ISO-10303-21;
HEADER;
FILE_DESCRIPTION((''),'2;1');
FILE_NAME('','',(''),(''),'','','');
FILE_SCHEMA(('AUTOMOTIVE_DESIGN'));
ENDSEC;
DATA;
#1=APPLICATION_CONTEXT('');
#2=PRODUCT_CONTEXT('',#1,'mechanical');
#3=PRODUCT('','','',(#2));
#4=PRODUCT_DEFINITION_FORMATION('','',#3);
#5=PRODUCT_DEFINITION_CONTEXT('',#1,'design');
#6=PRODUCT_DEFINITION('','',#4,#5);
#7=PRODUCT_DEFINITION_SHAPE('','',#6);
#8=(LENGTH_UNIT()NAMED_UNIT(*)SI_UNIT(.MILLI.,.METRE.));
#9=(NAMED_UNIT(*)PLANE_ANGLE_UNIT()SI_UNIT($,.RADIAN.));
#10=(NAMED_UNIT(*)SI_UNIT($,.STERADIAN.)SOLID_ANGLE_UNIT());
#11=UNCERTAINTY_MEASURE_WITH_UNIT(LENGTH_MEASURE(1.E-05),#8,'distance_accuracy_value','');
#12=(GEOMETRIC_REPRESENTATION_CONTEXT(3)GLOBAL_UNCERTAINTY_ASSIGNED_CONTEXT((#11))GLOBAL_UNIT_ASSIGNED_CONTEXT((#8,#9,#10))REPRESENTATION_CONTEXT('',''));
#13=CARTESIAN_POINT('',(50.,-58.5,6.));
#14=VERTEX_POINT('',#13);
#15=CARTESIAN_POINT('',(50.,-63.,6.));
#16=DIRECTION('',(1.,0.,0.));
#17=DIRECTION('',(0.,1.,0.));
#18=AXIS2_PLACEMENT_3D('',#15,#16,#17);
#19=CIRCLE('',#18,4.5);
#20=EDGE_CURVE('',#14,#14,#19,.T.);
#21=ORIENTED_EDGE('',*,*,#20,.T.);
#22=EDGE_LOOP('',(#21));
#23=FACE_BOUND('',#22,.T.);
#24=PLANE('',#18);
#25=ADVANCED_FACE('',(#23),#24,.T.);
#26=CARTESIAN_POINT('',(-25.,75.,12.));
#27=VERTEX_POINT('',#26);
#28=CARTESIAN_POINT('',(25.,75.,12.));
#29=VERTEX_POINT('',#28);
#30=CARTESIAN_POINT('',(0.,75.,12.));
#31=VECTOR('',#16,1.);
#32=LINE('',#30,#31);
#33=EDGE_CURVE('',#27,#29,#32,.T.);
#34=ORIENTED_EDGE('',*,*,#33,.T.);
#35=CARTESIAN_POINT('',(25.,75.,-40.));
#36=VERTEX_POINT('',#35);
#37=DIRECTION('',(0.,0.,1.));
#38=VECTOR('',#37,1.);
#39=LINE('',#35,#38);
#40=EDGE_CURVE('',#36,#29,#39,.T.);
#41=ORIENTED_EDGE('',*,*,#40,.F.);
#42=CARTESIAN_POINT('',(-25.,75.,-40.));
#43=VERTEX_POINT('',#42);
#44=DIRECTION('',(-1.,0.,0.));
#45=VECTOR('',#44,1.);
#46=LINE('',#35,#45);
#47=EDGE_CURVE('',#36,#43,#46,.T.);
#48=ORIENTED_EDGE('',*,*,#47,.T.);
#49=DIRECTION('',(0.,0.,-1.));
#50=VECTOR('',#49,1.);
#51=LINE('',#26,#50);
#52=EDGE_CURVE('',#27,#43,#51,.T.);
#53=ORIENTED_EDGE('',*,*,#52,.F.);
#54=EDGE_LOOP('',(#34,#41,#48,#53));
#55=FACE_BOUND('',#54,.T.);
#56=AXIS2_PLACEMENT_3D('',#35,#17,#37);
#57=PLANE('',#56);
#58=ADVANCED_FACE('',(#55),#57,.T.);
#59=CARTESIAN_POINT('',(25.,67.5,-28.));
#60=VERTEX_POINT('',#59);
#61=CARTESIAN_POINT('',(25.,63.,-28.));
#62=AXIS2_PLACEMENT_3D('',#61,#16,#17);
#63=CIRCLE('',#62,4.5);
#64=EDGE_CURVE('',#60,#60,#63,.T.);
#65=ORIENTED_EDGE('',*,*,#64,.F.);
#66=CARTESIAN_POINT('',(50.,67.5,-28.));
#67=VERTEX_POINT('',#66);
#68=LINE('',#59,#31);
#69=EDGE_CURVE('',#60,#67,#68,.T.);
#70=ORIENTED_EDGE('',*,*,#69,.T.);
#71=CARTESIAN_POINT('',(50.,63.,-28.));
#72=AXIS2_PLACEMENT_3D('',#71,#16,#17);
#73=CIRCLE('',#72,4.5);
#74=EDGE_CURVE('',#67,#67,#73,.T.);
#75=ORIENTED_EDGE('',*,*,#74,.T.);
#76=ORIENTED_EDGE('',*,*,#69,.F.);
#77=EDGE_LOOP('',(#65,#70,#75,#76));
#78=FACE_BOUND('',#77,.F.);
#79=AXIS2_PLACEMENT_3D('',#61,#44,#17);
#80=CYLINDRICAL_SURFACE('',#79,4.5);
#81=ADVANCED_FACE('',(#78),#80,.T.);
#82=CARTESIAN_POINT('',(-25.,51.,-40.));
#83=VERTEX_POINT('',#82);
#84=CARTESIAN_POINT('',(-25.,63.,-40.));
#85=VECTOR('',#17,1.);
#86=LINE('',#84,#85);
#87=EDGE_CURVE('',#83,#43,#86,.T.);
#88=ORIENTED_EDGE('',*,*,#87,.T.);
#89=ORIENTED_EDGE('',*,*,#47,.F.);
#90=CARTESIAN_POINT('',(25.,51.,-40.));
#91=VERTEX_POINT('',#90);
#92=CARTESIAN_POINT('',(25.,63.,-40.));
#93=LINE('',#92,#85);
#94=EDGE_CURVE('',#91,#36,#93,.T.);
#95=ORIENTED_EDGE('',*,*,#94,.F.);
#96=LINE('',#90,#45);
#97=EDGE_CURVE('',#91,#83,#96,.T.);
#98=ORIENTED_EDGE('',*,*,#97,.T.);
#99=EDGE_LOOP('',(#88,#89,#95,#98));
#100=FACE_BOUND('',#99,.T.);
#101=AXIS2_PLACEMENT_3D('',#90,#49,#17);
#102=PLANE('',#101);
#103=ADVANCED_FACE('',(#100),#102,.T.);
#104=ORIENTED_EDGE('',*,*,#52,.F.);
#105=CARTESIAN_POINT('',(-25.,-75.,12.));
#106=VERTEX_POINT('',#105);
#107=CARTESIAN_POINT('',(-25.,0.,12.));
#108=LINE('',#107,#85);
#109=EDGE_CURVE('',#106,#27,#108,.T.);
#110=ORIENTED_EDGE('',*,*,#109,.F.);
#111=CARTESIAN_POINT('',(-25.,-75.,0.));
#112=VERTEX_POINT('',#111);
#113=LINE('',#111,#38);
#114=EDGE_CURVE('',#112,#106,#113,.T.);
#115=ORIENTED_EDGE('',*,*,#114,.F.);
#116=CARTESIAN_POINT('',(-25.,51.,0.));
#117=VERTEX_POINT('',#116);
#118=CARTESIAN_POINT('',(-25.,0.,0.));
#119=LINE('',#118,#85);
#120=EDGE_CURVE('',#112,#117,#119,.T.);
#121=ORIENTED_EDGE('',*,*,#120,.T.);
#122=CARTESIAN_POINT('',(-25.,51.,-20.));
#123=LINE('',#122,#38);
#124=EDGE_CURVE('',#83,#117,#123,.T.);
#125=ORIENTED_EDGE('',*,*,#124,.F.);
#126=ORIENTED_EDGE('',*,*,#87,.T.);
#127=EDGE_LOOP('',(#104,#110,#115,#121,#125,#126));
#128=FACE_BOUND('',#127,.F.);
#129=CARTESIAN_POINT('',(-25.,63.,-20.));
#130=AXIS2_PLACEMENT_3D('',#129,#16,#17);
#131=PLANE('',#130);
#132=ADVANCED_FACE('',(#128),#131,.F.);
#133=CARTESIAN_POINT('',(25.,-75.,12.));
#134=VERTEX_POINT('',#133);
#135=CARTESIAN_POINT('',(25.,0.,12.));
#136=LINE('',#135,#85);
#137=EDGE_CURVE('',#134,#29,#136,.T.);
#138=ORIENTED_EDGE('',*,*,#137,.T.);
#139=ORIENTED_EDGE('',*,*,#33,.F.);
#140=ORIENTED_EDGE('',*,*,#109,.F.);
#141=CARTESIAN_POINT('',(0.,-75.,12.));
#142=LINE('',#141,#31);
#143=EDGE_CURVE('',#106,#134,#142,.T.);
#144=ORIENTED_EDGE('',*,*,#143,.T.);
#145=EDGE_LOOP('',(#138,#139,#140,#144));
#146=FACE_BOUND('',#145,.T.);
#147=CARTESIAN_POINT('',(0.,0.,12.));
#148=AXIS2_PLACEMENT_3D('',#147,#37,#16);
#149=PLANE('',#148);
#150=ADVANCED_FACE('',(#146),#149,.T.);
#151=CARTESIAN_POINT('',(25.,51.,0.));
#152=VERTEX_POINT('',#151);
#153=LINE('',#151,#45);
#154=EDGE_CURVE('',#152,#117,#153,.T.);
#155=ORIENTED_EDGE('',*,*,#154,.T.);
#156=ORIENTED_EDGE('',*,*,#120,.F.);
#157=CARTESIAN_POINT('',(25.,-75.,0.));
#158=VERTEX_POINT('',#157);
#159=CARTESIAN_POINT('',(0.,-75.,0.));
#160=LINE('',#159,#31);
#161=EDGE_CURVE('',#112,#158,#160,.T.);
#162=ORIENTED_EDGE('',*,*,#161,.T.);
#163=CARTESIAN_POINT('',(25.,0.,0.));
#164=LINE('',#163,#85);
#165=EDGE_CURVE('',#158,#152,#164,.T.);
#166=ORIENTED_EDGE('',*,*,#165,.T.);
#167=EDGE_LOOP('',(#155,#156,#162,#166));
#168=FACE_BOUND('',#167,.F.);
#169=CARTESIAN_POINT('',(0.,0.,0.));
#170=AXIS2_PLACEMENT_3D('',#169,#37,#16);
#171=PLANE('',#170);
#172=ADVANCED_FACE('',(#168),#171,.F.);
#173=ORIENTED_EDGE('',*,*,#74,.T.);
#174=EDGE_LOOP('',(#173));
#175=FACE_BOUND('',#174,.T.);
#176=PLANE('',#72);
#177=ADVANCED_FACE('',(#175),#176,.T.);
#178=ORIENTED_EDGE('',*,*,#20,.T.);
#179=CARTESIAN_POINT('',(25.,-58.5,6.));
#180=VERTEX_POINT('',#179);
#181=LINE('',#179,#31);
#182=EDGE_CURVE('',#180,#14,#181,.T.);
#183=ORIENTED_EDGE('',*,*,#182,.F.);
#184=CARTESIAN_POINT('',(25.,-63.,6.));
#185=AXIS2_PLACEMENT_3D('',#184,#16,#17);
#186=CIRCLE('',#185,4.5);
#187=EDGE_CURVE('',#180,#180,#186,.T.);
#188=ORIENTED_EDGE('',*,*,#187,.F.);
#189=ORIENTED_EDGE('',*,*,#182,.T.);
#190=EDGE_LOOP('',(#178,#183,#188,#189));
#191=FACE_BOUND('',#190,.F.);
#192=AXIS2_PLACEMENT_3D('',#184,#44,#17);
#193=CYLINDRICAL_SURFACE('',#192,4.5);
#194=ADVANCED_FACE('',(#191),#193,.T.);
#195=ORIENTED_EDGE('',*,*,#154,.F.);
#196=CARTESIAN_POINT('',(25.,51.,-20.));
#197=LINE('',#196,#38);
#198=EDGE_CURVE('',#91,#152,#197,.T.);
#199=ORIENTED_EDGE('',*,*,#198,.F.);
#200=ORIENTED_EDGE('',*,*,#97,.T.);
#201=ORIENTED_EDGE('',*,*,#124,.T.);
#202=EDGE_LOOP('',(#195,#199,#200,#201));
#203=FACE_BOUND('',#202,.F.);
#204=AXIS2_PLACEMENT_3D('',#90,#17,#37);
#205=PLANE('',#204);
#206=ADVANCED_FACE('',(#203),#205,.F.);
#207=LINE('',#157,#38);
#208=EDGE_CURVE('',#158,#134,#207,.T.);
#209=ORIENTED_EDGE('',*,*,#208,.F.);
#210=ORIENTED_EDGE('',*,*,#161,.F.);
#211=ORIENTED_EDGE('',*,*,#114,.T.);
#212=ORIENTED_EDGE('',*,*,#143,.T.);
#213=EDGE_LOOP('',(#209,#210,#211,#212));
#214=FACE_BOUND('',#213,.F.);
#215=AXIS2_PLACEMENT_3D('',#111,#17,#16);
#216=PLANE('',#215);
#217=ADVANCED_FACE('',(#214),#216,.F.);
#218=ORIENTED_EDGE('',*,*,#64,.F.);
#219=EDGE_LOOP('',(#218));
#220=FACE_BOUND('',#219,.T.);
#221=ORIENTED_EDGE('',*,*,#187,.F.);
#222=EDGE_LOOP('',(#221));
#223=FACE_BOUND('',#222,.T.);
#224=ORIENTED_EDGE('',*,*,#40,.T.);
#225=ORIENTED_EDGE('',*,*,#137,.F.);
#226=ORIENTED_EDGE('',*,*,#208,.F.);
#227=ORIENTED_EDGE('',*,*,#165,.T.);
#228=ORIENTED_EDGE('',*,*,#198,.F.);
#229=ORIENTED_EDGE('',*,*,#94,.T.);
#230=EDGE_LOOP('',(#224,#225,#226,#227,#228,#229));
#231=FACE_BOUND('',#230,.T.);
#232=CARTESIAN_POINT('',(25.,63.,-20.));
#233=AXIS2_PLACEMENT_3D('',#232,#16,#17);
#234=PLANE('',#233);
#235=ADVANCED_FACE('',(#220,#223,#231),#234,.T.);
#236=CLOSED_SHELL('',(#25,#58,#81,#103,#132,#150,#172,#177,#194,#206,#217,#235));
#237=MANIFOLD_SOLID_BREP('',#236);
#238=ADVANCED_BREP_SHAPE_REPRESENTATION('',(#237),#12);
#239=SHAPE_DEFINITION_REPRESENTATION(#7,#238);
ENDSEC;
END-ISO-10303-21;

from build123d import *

# Parameters (mm, degrees)
F0_W     = 50
F0_H     = 150
F1_DEPTH = 12
F2_W     = 24
F2_H     = 40
F3_DEPTH = 50
F4_R     = 4.5
F5_DEPTH = 25


with BuildPart() as f1:
    # F0 (on Top) → F1 (new body)
    with BuildSketch(Plane.XY):
        Rectangle(F0_W, F0_H)
    extrude(amount=F1_DEPTH)

    # F2 (on face) → F3 (join)
    with BuildSketch(Plane.YZ.offset(25)):
        with Locations((63, -20)):
            Rectangle(F2_W, F2_H)
    extrude(amount=-F3_DEPTH)

    # F4 (on face) → F5 (join)
    with BuildSketch(Plane.YZ.offset(25)):
        with Locations((-63, 6)):
            Circle(F4_R)
        with Locations((63, -28)):
            Circle(F4_R)
    extrude(amount=F5_DEPTH)


solid = f1.part
